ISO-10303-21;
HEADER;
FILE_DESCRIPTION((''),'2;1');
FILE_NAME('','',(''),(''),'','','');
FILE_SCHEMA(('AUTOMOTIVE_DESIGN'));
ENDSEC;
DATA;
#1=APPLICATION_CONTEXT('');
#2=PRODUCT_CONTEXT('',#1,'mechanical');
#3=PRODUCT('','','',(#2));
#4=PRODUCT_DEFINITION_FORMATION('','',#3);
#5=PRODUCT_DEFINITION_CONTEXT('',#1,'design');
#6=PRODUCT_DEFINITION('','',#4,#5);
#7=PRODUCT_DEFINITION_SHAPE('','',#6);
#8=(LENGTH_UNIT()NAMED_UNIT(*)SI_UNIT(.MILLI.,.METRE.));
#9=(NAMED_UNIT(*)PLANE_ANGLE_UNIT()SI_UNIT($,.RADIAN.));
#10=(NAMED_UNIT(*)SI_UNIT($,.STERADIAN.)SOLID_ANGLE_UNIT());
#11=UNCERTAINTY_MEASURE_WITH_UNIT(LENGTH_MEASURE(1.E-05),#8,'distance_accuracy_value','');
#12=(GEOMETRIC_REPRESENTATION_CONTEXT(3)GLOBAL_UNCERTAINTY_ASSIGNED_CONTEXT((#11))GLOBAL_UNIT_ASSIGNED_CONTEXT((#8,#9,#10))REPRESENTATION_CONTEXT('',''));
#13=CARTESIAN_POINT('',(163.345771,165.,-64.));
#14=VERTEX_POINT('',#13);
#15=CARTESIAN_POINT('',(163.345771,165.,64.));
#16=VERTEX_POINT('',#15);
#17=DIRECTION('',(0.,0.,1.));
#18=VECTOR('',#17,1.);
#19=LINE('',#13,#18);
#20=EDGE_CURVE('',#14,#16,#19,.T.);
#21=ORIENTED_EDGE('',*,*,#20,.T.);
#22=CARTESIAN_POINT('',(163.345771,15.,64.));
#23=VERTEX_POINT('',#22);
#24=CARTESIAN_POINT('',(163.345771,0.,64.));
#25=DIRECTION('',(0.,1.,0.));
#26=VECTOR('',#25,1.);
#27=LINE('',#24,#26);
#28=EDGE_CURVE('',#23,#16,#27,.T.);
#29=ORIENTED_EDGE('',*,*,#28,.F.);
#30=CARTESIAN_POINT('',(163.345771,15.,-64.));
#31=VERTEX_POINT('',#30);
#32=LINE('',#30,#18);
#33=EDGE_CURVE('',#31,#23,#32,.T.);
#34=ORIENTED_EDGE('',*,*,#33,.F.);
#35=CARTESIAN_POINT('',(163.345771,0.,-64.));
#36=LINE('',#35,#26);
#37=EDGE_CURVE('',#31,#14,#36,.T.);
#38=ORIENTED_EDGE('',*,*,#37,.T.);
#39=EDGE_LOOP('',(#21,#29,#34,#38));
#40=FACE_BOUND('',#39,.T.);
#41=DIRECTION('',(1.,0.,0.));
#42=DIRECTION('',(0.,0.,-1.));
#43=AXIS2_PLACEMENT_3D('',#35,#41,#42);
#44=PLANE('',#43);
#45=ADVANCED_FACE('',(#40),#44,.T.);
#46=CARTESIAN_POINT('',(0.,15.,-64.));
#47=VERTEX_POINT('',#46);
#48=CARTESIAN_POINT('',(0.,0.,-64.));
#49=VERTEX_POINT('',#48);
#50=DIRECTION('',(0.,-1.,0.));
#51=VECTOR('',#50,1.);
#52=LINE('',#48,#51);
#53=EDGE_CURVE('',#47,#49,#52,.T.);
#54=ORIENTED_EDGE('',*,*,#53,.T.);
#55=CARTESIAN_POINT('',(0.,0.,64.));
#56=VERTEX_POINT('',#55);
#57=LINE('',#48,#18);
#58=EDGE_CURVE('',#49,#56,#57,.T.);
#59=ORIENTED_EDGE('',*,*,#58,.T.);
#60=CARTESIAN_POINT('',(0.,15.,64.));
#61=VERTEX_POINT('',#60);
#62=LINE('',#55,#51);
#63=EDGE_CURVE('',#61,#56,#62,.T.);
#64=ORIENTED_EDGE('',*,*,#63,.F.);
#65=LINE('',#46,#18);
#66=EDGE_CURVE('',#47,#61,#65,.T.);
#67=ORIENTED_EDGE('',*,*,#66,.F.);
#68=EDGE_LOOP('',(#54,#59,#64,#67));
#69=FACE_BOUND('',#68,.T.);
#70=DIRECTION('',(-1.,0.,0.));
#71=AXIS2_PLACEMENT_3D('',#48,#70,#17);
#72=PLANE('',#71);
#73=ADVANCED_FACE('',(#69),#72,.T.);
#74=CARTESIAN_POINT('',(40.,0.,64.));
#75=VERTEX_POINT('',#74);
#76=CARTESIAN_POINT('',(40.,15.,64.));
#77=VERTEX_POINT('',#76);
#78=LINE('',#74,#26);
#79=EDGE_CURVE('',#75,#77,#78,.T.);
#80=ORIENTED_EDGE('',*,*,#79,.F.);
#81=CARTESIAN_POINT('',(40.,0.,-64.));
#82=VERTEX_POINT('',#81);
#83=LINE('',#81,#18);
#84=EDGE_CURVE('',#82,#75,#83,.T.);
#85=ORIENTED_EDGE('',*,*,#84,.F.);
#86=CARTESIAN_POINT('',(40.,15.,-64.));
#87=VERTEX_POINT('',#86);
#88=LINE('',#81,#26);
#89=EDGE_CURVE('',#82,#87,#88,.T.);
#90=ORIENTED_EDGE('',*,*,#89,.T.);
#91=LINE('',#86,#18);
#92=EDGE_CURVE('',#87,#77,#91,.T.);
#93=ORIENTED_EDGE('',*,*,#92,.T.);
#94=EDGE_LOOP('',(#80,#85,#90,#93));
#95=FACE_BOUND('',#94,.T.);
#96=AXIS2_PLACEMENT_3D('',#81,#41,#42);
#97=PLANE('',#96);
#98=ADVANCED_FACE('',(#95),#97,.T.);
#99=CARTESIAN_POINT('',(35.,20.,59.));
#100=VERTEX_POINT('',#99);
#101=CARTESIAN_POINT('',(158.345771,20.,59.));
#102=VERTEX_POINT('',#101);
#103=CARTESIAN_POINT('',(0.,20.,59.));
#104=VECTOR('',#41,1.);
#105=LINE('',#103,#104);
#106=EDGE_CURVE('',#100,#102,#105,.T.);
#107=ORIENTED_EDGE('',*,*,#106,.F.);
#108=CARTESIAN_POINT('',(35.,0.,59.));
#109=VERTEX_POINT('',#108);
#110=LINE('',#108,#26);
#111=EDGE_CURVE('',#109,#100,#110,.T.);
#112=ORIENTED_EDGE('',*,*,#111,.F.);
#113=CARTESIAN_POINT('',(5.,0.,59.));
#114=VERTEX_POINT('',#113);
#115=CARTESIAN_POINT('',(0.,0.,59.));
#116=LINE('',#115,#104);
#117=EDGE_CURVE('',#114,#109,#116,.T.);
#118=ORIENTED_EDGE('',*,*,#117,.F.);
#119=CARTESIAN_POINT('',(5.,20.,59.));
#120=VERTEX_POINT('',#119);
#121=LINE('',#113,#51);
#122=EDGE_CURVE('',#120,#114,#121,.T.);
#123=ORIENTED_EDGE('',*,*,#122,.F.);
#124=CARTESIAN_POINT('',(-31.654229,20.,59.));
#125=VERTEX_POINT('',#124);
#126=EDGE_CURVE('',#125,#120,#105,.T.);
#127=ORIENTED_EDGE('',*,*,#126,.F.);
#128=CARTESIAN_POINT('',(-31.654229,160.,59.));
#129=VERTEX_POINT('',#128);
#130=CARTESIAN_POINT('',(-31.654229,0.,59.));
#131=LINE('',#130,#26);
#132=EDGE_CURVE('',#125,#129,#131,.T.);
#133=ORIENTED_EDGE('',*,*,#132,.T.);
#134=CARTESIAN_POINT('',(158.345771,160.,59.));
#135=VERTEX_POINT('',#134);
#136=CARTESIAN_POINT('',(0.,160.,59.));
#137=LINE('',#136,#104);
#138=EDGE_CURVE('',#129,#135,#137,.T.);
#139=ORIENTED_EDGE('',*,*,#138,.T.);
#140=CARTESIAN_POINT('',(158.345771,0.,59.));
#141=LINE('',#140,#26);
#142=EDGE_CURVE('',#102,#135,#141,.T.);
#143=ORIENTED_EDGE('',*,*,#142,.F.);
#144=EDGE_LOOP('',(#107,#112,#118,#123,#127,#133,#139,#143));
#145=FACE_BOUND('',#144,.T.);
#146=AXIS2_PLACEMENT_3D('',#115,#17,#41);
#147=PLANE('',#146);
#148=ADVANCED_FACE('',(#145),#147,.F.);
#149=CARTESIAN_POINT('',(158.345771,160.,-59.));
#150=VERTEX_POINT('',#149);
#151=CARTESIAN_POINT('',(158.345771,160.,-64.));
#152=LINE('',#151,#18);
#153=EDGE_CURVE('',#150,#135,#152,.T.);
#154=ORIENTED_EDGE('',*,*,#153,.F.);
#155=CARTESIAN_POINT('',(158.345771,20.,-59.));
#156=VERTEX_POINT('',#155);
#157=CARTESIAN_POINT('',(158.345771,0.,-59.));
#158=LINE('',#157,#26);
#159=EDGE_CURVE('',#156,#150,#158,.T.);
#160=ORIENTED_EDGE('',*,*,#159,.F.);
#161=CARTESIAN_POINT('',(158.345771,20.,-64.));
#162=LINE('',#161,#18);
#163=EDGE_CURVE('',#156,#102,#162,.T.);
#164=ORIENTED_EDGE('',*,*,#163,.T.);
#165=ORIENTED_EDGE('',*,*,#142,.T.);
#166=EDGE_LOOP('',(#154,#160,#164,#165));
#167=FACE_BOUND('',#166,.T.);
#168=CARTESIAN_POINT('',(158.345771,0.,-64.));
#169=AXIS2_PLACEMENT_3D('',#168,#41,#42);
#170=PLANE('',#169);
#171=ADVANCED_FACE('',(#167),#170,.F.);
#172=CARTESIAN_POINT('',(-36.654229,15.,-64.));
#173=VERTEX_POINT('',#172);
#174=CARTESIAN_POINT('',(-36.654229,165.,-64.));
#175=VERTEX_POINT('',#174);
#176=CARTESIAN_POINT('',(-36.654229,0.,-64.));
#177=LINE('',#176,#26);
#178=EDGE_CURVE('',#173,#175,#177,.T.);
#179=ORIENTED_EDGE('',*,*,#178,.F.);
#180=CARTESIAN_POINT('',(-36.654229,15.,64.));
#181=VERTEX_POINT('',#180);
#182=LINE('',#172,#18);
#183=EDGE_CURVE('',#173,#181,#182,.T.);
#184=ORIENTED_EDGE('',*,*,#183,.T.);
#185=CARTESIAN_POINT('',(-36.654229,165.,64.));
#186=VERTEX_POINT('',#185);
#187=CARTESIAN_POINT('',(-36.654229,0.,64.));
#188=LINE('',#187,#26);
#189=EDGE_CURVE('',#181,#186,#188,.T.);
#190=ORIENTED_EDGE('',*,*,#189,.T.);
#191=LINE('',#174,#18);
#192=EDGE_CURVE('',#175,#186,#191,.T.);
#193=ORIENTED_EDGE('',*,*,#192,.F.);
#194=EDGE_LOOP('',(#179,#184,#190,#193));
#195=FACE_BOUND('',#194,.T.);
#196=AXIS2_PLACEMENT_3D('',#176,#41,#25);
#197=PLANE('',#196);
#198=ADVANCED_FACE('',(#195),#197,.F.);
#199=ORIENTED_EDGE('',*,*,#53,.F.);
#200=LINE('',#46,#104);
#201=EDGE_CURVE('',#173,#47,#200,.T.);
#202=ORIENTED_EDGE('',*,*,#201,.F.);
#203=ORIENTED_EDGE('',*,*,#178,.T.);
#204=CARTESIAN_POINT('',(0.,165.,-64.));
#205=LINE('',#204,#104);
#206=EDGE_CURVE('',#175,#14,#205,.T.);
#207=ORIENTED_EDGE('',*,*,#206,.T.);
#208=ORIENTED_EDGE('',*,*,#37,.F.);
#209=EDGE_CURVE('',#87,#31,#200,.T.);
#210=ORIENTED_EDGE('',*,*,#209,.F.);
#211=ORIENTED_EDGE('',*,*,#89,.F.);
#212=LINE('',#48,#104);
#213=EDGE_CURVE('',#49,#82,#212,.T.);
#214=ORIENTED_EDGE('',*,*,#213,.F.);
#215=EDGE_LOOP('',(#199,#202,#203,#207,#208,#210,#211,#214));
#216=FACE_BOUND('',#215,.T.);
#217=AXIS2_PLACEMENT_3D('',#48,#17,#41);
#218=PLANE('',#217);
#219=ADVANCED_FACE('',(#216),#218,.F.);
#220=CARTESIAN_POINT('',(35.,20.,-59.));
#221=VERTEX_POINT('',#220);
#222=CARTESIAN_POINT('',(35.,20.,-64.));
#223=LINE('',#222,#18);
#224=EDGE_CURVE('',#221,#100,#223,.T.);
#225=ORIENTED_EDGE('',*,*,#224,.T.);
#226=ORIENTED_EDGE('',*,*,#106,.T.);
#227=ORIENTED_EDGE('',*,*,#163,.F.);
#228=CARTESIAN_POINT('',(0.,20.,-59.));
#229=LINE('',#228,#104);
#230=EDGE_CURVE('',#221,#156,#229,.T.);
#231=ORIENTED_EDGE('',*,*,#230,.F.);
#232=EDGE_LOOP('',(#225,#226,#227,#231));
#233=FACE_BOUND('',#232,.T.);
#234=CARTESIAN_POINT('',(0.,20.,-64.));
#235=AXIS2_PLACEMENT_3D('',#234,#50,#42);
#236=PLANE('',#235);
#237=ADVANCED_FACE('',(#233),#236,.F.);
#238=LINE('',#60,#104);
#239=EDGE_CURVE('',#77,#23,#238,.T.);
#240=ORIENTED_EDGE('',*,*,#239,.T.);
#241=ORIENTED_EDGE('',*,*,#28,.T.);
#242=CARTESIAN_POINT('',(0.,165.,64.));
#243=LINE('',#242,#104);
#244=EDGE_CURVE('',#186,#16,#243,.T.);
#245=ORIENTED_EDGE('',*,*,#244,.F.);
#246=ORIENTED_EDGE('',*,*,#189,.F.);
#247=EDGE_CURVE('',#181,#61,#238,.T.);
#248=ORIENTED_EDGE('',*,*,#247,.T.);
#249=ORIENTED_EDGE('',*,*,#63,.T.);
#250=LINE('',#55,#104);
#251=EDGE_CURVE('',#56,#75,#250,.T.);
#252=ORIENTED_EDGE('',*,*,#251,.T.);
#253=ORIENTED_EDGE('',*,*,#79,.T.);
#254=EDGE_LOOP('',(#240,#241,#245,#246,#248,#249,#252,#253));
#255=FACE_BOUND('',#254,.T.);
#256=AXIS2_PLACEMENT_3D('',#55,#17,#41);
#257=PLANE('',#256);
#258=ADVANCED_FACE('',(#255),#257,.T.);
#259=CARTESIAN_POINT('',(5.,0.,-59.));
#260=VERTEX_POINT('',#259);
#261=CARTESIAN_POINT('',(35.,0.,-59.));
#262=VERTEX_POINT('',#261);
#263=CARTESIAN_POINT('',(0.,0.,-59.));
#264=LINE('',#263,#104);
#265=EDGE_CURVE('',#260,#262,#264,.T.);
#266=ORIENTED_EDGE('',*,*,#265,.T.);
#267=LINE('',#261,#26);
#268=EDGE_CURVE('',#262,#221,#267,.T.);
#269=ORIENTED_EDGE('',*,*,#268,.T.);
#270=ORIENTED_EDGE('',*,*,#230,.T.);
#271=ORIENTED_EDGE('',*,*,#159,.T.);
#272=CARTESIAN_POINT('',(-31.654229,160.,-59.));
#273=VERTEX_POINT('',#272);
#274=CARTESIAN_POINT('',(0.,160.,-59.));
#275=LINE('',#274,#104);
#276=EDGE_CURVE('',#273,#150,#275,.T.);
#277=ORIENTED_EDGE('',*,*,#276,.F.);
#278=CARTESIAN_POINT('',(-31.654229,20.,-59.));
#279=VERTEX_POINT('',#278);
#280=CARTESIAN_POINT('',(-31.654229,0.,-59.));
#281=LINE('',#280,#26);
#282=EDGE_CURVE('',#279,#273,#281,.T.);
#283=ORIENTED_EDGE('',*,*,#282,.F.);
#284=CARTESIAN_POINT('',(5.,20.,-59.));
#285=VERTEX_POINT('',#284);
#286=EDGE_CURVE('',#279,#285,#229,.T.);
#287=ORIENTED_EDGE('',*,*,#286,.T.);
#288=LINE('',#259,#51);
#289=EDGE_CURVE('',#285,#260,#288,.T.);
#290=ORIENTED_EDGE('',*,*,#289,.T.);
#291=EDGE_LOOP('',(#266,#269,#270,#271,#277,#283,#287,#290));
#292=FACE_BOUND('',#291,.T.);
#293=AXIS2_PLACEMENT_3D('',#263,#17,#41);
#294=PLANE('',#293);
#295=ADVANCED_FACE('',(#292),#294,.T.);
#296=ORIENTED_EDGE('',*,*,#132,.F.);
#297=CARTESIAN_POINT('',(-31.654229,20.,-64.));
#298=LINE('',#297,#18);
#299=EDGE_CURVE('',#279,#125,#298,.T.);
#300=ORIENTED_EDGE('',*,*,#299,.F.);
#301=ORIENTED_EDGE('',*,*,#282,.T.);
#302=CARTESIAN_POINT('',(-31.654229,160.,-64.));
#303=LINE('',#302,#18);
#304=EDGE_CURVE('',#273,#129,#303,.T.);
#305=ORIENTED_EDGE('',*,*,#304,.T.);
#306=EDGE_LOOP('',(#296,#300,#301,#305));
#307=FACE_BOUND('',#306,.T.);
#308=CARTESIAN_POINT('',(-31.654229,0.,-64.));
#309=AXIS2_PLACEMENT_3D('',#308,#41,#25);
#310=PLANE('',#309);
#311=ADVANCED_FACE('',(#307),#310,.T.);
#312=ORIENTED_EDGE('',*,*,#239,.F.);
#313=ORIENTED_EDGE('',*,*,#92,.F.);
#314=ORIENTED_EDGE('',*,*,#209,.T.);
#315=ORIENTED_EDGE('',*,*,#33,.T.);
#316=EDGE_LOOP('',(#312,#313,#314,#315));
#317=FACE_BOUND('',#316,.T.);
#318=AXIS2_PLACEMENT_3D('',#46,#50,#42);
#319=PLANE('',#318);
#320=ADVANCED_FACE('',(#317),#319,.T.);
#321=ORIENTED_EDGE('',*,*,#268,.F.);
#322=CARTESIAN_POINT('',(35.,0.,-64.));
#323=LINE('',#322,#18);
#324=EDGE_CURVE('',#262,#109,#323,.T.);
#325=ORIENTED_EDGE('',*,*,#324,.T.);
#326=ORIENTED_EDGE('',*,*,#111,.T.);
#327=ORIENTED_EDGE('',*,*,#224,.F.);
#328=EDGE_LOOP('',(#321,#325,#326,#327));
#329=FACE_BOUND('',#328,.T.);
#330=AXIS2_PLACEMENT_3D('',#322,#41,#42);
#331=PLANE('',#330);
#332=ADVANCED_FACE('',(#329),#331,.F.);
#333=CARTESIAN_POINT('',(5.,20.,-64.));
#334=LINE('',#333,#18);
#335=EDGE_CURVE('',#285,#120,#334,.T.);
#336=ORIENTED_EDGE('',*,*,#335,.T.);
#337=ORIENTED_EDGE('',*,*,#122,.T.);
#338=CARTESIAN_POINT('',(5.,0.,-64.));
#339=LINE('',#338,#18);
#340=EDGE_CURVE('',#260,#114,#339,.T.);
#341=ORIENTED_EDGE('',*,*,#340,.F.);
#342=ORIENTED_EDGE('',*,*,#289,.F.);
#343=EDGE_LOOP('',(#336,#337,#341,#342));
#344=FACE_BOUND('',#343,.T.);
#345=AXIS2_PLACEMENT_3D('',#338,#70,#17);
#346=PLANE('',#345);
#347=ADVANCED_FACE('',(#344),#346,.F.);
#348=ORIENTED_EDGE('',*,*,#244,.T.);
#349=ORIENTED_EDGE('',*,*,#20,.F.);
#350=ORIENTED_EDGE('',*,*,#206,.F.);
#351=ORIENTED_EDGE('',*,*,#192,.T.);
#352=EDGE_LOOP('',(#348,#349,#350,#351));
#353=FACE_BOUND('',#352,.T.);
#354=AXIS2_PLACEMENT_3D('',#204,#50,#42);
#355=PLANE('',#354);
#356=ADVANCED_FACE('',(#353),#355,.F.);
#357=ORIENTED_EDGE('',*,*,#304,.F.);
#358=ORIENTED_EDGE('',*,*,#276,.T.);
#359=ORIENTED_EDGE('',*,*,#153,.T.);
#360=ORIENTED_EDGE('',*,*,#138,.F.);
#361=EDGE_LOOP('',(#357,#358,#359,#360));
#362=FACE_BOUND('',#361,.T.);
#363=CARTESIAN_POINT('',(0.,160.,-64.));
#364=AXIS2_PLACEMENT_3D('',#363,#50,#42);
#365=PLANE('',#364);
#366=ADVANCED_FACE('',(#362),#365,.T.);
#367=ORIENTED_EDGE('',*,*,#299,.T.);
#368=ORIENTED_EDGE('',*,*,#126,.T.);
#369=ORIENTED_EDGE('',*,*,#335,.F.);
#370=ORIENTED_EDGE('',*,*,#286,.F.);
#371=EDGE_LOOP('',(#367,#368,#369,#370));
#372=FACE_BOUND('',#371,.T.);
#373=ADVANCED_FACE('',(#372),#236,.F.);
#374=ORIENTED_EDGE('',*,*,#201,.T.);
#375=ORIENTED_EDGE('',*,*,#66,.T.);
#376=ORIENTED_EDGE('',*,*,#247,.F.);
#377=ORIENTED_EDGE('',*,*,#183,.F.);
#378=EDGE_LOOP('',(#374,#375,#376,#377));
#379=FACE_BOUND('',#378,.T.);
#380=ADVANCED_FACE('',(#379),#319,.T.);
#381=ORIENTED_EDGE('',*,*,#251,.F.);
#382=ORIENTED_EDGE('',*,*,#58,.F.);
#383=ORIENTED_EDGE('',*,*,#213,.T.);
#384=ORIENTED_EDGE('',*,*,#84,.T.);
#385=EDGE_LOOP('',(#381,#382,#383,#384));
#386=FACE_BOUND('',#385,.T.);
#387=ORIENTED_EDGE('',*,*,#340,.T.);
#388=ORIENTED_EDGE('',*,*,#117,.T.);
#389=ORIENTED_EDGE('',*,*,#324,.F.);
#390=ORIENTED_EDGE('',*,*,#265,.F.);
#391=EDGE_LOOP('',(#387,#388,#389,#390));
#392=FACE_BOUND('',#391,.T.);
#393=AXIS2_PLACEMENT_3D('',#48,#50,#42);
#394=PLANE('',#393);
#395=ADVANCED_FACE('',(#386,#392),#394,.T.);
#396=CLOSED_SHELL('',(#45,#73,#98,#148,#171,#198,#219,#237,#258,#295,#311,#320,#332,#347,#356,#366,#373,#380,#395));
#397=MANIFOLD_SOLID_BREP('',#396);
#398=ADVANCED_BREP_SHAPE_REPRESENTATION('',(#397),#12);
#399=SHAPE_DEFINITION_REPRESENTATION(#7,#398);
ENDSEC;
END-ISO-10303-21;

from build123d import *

# Parameters (mm, degrees)
BOSS_EXTRUDE1_DEPTH      = 64
BOSS_EXTRUDE1_DEPTH_BACK = 64
SHELL1_T                 = -5


with BuildPart() as part:
    # Sketch1 → Boss-Extrude1 (new, two sides: drawn at the far end of the back side and taken through both)
    with BuildSketch(Plane.XY.offset(-BOSS_EXTRUDE1_DEPTH_BACK)):
        Polygon((0, 15), (0, 0), (40, 0), (40, 15), (163.345771361, 15), (163.345771361, 165), (-36.654228639, 165), (-36.654228639, 15), align=None)
    extrude(amount=BOSS_EXTRUDE1_DEPTH + BOSS_EXTRUDE1_DEPTH_BACK)

    # Shell1
    shell1_openings = [part.faces().sort_by_distance(p)[0] for p in [
        (20, 0, 0),
    ]]
    offset(amount=SHELL1_T, openings=shell1_openings, kind=Kind.INTERSECTION)


solid = part.part
